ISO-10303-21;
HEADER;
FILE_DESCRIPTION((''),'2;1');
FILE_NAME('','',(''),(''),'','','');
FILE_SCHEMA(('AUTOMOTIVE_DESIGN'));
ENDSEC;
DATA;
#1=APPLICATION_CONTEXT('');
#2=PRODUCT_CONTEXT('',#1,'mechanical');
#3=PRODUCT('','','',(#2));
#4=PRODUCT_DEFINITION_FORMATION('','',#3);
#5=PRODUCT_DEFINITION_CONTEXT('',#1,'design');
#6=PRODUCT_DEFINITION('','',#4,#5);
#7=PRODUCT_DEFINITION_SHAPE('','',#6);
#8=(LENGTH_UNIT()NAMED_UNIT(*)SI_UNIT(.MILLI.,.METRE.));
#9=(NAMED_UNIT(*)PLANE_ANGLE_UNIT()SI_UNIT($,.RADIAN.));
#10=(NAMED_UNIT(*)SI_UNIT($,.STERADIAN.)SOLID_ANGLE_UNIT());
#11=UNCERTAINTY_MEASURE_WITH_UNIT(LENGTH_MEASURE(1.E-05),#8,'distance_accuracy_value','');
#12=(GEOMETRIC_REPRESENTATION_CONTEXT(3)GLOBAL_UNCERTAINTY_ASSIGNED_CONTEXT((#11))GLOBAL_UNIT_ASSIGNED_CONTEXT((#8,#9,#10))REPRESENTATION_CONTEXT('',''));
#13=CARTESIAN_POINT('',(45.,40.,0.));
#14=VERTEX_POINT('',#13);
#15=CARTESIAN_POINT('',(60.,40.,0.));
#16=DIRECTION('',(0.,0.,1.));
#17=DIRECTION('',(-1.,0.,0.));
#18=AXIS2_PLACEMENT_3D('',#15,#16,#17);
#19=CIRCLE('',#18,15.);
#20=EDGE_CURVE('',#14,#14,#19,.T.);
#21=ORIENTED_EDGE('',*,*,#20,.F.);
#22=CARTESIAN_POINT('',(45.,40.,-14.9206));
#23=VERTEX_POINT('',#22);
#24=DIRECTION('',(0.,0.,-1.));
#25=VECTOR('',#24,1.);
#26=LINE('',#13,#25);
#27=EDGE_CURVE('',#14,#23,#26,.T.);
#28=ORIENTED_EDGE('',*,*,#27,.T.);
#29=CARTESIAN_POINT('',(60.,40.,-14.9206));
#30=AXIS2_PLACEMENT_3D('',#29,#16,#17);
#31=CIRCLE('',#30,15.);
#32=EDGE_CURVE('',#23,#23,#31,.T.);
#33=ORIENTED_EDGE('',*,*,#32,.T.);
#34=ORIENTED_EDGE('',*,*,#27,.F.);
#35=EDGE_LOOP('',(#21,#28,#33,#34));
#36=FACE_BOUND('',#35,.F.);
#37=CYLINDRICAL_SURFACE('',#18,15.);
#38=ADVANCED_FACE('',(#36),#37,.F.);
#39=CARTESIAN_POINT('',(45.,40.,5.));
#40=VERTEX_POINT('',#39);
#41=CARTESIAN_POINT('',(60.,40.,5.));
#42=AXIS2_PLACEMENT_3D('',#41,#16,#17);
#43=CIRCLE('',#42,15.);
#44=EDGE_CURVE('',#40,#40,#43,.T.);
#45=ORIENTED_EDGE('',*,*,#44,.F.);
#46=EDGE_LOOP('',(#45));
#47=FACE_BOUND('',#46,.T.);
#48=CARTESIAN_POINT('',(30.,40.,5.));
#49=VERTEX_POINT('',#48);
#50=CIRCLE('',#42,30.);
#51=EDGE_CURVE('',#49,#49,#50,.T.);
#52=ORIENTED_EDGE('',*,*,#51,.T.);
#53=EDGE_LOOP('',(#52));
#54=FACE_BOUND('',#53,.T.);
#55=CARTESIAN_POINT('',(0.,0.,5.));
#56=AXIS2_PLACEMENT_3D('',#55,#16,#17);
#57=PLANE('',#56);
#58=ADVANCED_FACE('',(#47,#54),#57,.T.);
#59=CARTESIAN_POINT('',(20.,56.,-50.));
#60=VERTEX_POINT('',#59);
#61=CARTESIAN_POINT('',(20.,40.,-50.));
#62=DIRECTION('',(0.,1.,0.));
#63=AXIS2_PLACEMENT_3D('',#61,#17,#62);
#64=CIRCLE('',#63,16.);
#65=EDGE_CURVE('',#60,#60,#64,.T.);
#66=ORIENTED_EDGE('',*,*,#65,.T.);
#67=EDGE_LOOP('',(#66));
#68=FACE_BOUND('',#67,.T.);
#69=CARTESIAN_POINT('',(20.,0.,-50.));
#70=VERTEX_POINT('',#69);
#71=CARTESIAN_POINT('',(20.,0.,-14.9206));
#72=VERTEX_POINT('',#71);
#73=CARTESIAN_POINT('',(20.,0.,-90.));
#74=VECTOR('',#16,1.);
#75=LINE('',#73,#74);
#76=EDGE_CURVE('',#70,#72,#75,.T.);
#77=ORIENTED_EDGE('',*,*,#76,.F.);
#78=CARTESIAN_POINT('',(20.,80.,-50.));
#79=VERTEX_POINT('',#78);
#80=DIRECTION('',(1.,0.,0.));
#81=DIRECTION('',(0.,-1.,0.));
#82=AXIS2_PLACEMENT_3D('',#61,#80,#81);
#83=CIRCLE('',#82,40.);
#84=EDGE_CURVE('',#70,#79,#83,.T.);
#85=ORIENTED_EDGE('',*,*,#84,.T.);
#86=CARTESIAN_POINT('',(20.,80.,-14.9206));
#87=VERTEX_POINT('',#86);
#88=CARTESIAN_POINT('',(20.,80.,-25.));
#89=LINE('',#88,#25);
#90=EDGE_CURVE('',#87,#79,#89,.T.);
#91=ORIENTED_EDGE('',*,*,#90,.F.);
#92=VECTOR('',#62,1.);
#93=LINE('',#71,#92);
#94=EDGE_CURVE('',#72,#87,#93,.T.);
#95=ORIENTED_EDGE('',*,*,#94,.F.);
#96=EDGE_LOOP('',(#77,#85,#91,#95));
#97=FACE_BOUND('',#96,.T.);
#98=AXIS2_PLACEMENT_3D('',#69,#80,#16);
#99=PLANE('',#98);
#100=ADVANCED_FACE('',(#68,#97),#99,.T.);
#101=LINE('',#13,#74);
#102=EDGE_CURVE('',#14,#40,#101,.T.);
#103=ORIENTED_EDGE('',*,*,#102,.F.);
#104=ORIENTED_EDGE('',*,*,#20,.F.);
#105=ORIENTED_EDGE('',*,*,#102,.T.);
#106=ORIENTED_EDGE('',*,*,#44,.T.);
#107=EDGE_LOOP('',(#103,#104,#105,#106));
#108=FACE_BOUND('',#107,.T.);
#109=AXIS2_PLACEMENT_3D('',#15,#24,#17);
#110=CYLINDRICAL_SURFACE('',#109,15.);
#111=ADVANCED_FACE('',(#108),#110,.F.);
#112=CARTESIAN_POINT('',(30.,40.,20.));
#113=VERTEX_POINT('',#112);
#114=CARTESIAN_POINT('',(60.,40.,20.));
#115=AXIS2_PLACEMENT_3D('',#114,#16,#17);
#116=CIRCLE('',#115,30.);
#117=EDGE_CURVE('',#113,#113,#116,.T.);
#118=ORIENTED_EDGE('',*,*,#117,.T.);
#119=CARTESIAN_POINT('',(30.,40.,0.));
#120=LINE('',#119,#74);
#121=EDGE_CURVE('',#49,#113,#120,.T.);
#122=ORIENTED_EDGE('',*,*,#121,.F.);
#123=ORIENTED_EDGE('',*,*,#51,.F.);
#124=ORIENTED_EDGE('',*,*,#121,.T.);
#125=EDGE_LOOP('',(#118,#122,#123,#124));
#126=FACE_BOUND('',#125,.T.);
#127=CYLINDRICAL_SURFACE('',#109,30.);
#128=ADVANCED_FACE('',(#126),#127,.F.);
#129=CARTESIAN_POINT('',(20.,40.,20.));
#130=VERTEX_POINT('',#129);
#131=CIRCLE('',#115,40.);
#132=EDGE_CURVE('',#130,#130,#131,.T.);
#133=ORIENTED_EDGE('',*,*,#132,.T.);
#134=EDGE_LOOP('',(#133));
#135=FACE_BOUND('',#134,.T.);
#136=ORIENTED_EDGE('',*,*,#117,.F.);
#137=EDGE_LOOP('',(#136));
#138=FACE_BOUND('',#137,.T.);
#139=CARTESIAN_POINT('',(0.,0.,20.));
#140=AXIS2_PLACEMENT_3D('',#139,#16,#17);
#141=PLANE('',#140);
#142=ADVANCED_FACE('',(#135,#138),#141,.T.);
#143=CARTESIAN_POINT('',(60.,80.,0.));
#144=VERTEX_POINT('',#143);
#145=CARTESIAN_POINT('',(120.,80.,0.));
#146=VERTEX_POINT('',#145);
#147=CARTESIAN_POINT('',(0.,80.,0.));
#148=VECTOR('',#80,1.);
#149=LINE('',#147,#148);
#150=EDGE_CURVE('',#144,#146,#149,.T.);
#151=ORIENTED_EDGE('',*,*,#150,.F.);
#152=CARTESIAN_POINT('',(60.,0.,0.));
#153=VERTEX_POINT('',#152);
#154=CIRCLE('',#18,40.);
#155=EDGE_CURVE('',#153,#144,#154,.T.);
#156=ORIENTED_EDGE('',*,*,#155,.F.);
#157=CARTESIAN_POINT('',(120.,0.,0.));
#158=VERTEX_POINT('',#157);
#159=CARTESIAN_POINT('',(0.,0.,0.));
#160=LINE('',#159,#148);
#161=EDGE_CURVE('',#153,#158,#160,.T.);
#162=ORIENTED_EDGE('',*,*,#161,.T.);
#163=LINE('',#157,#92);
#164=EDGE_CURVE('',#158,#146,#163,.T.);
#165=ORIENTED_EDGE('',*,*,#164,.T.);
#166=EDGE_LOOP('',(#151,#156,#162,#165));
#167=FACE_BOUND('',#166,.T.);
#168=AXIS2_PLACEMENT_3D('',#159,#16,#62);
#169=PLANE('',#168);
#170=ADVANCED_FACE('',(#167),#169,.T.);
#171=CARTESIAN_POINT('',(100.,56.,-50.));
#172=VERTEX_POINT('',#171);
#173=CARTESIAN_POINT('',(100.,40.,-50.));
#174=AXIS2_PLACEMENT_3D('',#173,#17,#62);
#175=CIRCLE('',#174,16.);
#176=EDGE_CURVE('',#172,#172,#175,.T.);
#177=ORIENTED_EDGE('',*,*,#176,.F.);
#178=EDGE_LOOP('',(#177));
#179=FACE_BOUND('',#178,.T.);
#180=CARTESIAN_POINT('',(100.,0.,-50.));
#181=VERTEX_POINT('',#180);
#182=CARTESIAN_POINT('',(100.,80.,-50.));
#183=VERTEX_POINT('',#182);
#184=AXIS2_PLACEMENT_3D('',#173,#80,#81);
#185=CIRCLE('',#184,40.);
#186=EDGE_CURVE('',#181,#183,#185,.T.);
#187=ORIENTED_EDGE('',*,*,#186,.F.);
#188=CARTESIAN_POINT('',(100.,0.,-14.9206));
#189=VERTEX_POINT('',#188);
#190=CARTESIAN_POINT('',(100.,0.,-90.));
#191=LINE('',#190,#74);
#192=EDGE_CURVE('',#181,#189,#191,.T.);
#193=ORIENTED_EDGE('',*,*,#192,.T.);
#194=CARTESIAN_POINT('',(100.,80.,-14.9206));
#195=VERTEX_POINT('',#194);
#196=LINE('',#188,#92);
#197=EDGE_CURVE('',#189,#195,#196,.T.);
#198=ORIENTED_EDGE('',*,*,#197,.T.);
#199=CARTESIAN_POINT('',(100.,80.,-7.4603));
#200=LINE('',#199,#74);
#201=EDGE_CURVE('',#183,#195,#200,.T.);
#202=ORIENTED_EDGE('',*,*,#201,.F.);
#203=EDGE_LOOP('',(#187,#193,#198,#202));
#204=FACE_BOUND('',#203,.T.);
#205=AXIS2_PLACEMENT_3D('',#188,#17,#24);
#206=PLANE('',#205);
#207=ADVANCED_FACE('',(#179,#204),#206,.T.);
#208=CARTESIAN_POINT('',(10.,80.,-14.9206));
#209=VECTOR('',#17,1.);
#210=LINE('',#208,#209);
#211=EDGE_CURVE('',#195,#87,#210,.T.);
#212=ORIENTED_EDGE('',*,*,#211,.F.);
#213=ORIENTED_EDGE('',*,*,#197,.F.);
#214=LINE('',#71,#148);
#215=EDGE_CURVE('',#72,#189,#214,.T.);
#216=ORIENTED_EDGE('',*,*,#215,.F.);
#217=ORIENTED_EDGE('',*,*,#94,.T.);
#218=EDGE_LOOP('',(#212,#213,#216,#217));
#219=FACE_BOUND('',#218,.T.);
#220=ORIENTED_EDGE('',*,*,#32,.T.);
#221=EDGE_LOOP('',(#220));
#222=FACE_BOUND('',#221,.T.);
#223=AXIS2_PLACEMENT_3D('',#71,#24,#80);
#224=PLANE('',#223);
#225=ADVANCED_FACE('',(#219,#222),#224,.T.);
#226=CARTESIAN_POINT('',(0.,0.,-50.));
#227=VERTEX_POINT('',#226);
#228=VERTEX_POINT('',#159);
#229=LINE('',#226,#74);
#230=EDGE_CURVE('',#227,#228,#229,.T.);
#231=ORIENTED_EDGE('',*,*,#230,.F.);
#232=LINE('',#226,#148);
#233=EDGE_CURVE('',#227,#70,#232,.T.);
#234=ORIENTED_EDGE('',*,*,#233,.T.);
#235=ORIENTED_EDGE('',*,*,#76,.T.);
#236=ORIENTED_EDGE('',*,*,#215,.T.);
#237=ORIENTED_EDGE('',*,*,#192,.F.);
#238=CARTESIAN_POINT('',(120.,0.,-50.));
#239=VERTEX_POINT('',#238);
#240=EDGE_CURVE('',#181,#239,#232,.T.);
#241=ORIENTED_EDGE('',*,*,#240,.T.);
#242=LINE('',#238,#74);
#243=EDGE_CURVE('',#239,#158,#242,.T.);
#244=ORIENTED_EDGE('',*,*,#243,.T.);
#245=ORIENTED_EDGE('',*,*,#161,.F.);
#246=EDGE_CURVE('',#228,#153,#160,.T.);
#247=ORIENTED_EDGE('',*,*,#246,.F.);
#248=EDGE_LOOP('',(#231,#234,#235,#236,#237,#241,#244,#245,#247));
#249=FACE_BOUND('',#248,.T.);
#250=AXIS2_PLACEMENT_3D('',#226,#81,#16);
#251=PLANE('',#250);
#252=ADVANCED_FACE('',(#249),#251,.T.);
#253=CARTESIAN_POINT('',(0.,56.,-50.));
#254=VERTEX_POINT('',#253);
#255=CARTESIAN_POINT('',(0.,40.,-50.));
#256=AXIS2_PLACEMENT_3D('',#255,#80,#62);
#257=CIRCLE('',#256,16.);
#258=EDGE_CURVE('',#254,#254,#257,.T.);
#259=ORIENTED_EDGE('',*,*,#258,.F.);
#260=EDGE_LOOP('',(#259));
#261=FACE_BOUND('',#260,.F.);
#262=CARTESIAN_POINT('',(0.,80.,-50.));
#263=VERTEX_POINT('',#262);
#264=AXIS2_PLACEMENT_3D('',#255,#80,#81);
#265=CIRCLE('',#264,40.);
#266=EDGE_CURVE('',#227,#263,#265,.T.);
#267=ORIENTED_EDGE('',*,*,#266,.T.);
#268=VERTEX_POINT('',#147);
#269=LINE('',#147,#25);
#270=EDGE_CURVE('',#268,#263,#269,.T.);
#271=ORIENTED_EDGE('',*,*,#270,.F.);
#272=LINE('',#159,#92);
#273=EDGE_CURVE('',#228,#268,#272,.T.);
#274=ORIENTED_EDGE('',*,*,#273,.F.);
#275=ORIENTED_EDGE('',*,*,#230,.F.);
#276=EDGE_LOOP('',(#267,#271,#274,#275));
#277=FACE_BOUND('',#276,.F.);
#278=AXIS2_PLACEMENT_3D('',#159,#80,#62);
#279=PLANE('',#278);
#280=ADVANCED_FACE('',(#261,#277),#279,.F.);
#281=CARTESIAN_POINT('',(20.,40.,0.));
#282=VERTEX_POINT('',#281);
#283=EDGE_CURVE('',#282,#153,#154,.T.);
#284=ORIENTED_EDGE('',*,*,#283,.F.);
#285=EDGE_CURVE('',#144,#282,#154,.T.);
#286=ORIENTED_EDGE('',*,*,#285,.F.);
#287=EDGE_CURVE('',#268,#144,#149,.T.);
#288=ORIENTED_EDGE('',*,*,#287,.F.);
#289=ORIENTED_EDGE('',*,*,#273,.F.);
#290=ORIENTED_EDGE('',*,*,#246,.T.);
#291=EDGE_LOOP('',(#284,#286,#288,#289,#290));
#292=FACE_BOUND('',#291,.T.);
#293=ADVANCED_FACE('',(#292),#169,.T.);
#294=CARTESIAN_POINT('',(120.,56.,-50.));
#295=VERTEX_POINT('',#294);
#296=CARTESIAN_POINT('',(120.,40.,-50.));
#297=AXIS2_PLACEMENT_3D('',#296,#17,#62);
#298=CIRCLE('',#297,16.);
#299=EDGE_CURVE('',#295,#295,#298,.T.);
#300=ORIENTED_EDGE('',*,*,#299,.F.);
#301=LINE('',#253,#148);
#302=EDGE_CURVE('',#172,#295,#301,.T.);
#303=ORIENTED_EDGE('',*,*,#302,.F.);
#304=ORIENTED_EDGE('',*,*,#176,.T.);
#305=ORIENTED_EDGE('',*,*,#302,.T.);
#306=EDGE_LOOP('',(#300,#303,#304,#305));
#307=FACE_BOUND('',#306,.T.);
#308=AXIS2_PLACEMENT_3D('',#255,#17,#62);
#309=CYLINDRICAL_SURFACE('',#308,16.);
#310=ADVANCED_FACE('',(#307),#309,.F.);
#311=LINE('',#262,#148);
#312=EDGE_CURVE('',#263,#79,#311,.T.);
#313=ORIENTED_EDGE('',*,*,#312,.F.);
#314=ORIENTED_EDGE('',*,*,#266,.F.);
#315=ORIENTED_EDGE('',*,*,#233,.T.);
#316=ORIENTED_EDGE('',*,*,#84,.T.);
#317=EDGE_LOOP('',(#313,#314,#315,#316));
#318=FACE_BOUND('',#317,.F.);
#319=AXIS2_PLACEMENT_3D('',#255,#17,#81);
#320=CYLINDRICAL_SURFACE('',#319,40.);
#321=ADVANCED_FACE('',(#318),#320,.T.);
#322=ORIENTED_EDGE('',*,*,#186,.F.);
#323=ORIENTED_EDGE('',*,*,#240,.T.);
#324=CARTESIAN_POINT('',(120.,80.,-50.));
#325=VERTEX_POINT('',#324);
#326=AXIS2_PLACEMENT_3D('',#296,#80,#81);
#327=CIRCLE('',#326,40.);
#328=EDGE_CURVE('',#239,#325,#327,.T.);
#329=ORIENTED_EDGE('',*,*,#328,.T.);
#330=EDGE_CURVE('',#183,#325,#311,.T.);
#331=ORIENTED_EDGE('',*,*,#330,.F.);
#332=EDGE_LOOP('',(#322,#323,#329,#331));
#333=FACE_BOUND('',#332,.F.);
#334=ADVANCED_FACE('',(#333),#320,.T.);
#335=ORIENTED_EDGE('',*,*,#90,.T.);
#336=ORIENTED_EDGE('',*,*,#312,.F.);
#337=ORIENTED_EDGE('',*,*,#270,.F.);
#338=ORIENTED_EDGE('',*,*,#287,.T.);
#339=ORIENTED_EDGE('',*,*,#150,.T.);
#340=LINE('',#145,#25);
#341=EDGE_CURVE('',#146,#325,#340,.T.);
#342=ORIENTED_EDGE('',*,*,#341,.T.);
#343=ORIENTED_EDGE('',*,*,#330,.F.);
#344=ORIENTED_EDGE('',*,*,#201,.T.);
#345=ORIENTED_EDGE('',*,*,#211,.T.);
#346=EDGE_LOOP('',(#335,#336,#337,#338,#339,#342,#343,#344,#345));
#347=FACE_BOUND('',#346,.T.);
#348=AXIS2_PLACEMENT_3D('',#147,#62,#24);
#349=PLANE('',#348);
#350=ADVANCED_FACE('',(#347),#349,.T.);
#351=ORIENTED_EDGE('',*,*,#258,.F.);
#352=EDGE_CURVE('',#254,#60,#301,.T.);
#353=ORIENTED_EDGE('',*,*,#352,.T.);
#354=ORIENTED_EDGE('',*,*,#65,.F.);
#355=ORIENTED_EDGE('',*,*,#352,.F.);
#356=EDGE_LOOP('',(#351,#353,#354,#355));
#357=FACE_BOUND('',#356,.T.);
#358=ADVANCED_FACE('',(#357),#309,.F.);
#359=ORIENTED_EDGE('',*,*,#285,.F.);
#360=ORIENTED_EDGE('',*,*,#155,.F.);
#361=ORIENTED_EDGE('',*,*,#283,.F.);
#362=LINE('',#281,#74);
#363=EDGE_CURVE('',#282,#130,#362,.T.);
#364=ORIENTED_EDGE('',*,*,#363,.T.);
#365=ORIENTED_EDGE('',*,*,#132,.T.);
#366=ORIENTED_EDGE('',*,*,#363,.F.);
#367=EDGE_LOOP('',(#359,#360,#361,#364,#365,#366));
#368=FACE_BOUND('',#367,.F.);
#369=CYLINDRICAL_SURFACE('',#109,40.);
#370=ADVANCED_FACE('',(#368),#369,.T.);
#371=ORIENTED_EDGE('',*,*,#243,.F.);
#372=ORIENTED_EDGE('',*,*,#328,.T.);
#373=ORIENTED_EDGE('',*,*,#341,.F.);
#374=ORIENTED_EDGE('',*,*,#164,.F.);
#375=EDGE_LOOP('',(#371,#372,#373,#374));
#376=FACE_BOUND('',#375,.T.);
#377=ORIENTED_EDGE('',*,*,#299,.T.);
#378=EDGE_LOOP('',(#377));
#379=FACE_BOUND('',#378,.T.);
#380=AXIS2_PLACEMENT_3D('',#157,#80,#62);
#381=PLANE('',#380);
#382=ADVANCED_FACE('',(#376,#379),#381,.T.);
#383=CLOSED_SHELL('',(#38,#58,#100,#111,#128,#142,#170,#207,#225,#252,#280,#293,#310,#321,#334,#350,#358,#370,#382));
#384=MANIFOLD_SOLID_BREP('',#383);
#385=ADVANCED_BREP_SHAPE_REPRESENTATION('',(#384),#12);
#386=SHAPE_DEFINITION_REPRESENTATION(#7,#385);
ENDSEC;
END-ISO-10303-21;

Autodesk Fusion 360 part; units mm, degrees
sketch "Sketch1" plane through (0, 0, 0) normal (1, 0, 0) x (0, 1, 0)
  line L0 (0, 0) -> (80, 0)
  line L1 (80, 0) -> (80, -50)
  line L2 (80, -50) -> (0, -50)
  line L3 (0, -50) -> (0, 0)
  arc A0 (0, -50) -> (80, -50) centre (40, -50) ccw
  circle A1 centre (40, -50) radius 16
sketch "Sketch2" plane through (0, 0, 0) normal (1, 0, 0) x (0, 1, 0)
extrude "Extrude1" add sketch "Sketch1" along normal blind 120 contours L0 L1 L2 L3 A1 | L2 A0 A1
sketch "Sketch3" plane through (0, 0, 0) normal (1, 0, 0) x (0, 1, 0)
sketch "Sketch4" plane through (0, 0, 0) normal (0, -1, 0) x (1, 0, 0)
  line L0 (0, 0) -> (0, -50)
  line L1 (0, -50) -> (120, -50)
  line L2 (120, -50) -> (120, 0)
  line L3 (120, 0) -> (0, 0)
  line L4 (0, 0) -> (20, 0)
  line L5 (0, 0) -> (0, -15)
  line L6 (20, -14.9206) -> (100, -14.9206)
  line L7 (100, -14.9206) -> (100, -90)
  line L8 (100, -90) -> (20, -90)
  line L9 (20, -90) -> (20, -14.9206)
  dimension "d3" = 20
  dimension "d4" = 15
extrude "Extrude2" cut sketch "Sketch4" against normal blind 90 contours L1 L6 L7 L9 | L1 L7 L8 L9
sketch "Sketch5" plane through (0, 0, 0) normal (0, 0, 1) x (-1, 0, 0)
  line L0 (0, -80) -> (0, 0)
  line L1 (0, 0) -> (-120, 0)
  line L2 (-120, 0) -> (-120, -80)
  line L3 (-120, -80) -> (0, -80)
sketch "Sketch6" plane through (0, 0, 0) normal (0, 0, 1) x (-1, 0, 0)
  circle A0 centre (-60, -40) radius 40
  circle A1 centre (-60, -40) radius 30
  circle A2 centre (-60, -40) radius 15
  dimension "d7" = 60
  dimension "d8" = 30
extrude "Extrude4" cut sketch "Sketch6" against normal blind 25 contours A2
extrude "Extrude5" add sketch "Sketch6" along normal blind 5 contours A1
extrude "Extrude6" add sketch "Sketch6" along normal blind 20 contours A0
extrude "Extrude3" [suppressed]
sketch "Sketch7" plane through (0, 0, 0) normal (0, 0, 1) x (-1, 0, 0)
